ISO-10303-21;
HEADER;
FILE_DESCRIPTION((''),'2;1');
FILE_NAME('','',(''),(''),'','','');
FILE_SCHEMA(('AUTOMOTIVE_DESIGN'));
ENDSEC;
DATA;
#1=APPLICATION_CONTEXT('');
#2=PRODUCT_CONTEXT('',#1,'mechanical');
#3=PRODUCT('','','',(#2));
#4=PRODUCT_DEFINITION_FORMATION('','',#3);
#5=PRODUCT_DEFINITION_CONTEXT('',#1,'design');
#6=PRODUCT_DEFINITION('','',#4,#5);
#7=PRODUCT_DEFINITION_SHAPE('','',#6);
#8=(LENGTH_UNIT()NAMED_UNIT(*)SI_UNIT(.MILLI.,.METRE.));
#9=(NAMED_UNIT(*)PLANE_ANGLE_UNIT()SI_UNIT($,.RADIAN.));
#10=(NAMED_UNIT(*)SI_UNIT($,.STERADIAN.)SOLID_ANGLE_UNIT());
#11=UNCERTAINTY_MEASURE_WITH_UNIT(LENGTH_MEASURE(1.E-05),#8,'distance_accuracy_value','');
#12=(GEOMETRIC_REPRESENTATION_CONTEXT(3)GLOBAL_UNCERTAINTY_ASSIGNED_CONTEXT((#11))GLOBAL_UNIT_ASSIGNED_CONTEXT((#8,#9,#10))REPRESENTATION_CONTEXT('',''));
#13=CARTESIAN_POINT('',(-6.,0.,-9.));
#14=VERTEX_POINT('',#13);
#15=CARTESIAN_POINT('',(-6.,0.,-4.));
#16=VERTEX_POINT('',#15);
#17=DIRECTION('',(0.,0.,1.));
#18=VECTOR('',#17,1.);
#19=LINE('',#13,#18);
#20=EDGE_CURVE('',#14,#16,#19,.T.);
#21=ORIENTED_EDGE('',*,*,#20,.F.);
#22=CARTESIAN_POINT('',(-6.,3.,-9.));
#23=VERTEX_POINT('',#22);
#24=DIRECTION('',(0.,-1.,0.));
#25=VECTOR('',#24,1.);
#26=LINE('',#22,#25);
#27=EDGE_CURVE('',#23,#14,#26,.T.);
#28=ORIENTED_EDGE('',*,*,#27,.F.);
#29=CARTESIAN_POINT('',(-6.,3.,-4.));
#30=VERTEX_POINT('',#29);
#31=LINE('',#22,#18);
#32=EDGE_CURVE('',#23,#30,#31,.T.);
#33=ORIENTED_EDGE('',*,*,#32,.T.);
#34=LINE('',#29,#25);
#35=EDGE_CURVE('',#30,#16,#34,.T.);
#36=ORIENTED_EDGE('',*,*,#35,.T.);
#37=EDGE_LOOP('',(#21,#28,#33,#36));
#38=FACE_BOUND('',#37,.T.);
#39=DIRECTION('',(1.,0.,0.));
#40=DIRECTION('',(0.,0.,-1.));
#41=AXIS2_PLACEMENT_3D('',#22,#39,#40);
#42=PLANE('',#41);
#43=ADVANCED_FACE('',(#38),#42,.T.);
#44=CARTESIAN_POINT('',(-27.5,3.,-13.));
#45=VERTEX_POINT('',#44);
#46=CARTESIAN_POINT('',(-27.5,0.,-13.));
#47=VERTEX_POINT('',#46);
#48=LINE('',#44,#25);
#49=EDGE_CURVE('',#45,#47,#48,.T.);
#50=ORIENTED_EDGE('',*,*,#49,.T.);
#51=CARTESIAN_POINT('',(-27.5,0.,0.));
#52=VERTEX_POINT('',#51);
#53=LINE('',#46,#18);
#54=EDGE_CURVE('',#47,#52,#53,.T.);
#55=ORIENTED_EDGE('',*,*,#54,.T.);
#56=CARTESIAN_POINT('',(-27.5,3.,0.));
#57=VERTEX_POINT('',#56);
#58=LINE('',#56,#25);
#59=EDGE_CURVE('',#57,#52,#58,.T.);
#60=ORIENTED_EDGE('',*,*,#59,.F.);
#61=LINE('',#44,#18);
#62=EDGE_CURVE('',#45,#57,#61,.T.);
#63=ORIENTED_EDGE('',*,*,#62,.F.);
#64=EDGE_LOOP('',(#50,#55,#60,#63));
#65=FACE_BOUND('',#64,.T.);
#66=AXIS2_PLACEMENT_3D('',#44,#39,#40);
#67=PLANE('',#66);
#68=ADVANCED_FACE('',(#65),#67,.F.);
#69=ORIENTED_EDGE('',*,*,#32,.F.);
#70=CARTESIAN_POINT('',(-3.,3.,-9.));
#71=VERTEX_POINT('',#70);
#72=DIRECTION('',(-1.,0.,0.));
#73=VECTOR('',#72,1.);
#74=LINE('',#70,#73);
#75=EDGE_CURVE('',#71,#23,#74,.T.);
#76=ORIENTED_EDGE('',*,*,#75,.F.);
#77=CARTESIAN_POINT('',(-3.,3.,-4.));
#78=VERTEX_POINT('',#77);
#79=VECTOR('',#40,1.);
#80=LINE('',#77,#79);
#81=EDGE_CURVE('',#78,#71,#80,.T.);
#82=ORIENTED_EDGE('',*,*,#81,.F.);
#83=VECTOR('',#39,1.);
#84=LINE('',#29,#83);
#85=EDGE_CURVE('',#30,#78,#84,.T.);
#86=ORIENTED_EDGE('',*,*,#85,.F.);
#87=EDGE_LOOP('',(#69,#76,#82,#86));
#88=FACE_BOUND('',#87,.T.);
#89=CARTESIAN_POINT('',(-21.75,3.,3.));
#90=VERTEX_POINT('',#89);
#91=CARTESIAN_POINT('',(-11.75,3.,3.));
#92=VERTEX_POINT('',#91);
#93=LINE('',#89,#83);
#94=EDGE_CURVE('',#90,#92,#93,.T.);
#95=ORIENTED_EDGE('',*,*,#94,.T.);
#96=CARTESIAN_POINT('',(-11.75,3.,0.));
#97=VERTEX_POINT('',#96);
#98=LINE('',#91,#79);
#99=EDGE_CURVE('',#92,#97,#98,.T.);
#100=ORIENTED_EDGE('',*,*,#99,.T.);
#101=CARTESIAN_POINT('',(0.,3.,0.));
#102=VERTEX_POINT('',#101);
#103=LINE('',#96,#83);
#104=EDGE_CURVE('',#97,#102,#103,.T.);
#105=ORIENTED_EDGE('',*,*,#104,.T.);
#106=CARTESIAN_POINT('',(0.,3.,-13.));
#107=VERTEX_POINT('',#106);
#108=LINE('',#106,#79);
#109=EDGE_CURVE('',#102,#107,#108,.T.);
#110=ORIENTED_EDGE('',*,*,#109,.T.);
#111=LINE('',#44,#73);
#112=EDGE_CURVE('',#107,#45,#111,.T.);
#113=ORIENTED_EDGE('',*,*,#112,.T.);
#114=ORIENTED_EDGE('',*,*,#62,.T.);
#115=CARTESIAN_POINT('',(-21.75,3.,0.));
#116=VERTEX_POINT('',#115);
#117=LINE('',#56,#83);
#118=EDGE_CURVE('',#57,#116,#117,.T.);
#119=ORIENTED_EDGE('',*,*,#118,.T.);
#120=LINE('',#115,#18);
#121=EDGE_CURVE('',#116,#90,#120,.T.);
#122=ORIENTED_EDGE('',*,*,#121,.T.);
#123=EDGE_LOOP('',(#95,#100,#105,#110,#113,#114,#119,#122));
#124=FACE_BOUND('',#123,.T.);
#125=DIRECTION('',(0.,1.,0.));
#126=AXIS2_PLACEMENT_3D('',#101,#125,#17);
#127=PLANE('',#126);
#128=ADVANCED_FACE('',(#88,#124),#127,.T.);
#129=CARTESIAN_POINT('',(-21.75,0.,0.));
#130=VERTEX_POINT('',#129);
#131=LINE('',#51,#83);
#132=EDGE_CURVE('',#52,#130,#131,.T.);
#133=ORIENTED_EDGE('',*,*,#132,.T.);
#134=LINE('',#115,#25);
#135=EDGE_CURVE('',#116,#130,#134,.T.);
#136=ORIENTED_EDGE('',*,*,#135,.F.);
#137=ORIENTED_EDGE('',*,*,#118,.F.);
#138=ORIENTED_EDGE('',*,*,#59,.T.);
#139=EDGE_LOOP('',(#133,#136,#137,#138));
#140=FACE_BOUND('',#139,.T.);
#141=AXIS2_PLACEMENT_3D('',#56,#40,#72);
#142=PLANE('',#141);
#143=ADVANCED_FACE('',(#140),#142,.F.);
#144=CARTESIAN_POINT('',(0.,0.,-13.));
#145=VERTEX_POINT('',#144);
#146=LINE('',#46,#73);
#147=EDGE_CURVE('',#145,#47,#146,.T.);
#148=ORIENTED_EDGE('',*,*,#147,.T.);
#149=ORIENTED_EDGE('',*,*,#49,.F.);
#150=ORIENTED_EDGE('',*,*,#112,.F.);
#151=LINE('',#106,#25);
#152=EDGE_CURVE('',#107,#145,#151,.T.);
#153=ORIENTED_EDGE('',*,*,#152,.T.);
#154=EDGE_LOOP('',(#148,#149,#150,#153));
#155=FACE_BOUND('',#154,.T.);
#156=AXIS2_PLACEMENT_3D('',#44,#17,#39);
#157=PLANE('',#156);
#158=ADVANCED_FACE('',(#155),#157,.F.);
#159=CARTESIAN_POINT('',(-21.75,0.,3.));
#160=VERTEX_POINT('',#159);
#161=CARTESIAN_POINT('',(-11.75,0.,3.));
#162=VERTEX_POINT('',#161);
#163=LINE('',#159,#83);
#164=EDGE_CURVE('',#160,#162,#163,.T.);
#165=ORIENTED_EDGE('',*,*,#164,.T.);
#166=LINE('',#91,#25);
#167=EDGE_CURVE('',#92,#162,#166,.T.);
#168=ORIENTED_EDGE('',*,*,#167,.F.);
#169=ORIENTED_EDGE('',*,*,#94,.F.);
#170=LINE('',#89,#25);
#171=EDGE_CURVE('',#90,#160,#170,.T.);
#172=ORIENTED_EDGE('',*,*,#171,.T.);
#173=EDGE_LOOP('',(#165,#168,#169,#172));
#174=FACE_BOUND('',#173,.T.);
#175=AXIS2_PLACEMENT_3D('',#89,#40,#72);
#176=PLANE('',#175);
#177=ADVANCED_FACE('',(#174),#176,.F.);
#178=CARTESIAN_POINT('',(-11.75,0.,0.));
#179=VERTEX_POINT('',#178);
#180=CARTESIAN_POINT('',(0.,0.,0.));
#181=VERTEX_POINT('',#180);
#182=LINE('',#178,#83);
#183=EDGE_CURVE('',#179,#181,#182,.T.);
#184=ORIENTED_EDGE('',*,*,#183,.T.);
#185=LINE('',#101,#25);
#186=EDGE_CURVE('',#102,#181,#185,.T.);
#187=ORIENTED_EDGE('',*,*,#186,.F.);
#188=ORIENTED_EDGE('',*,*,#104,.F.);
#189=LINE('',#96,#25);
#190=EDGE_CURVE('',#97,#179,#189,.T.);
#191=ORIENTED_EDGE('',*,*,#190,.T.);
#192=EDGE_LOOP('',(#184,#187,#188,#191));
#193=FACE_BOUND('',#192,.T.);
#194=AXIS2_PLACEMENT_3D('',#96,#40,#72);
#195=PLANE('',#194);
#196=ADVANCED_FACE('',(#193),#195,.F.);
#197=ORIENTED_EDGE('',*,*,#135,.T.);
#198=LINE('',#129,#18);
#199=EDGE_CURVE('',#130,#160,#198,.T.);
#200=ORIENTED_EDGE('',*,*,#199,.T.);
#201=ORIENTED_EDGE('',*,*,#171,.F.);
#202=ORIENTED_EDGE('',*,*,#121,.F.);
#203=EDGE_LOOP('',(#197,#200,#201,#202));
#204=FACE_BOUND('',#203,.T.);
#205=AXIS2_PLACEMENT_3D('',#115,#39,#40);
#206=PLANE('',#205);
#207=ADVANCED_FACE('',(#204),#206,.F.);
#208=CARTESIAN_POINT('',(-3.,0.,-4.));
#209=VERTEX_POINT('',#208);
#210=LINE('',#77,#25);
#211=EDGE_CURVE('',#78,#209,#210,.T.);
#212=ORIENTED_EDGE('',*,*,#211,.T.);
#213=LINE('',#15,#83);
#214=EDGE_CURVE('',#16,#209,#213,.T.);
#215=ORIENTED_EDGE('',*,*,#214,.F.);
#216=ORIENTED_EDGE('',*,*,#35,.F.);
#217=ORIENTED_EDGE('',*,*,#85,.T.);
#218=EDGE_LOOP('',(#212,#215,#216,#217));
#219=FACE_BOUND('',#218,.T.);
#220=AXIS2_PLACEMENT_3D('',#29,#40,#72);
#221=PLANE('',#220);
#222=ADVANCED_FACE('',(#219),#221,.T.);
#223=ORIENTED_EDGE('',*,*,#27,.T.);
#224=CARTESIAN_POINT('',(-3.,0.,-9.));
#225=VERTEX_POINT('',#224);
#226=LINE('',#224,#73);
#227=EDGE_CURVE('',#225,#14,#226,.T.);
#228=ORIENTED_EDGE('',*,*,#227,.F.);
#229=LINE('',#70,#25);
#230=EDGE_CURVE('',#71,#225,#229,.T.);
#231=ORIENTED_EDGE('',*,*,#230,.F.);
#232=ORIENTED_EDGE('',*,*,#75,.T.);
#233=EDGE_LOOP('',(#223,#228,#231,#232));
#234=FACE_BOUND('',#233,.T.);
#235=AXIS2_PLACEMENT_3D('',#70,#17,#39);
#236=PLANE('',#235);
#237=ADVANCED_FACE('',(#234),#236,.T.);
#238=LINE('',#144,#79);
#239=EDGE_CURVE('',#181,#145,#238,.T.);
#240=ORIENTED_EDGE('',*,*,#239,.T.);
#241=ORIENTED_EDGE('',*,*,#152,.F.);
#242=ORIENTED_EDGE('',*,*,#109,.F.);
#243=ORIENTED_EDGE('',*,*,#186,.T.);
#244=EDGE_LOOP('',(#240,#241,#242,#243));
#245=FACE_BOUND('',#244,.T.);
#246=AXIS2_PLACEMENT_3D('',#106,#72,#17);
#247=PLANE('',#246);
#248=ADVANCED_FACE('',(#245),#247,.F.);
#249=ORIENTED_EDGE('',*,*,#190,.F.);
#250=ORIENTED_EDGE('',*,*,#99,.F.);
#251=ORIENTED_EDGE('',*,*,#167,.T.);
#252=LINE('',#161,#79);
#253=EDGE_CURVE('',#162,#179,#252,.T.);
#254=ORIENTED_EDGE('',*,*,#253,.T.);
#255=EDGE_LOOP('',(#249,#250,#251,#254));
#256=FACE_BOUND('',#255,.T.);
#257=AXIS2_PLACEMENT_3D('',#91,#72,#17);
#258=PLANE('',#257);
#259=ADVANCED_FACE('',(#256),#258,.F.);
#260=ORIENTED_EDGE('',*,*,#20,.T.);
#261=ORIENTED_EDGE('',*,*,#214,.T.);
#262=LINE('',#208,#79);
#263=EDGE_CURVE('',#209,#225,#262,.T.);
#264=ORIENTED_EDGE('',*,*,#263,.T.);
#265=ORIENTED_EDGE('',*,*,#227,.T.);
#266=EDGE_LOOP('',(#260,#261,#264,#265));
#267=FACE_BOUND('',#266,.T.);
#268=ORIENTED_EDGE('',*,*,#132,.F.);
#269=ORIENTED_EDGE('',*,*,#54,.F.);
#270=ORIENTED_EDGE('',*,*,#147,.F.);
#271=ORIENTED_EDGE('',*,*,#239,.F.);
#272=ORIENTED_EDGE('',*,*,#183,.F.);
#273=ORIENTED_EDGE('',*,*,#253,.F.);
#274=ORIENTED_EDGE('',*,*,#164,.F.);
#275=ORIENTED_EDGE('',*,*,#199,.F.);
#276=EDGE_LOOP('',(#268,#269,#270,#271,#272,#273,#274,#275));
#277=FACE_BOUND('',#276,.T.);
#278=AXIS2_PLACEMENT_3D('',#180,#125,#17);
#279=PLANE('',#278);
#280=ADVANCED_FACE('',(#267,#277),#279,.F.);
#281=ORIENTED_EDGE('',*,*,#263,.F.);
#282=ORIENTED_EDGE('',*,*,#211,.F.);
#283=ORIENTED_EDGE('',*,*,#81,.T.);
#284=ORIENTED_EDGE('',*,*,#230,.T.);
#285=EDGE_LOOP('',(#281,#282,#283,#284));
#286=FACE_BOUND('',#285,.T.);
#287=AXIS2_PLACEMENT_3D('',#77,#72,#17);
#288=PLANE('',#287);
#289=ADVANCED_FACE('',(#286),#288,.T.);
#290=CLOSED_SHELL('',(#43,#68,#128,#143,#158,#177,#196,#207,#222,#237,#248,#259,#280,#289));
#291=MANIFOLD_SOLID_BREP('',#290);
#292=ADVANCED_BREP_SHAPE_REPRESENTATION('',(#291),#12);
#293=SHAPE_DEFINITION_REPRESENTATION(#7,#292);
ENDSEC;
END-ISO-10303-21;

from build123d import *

# Parameters (mm, degrees)
SKETCH1_W           = 3
SKETCH1_H           = 5
BOSS_EXTRUDE1_DEPTH = 3


with BuildPart() as part:
    # Sketch1 → Boss-Extrude1 (new body)
    with BuildSketch(Plane(origin=(0, 0, 0), x_dir=(1, 0, 0), z_dir=(0, 1, 0))):
        Polygon((-21.75, 0), (-21.75, -3), (-11.75, -3), (-11.75, 0), (0, 0), (0, 13), (-27.5, 13), (-27.5, 0), align=None)
        with Locations((-4.5, 6.5)):
            Rectangle(SKETCH1_W, SKETCH1_H, mode=Mode.SUBTRACT)
    extrude(amount=BOSS_EXTRUDE1_DEPTH)


solid = part.part
